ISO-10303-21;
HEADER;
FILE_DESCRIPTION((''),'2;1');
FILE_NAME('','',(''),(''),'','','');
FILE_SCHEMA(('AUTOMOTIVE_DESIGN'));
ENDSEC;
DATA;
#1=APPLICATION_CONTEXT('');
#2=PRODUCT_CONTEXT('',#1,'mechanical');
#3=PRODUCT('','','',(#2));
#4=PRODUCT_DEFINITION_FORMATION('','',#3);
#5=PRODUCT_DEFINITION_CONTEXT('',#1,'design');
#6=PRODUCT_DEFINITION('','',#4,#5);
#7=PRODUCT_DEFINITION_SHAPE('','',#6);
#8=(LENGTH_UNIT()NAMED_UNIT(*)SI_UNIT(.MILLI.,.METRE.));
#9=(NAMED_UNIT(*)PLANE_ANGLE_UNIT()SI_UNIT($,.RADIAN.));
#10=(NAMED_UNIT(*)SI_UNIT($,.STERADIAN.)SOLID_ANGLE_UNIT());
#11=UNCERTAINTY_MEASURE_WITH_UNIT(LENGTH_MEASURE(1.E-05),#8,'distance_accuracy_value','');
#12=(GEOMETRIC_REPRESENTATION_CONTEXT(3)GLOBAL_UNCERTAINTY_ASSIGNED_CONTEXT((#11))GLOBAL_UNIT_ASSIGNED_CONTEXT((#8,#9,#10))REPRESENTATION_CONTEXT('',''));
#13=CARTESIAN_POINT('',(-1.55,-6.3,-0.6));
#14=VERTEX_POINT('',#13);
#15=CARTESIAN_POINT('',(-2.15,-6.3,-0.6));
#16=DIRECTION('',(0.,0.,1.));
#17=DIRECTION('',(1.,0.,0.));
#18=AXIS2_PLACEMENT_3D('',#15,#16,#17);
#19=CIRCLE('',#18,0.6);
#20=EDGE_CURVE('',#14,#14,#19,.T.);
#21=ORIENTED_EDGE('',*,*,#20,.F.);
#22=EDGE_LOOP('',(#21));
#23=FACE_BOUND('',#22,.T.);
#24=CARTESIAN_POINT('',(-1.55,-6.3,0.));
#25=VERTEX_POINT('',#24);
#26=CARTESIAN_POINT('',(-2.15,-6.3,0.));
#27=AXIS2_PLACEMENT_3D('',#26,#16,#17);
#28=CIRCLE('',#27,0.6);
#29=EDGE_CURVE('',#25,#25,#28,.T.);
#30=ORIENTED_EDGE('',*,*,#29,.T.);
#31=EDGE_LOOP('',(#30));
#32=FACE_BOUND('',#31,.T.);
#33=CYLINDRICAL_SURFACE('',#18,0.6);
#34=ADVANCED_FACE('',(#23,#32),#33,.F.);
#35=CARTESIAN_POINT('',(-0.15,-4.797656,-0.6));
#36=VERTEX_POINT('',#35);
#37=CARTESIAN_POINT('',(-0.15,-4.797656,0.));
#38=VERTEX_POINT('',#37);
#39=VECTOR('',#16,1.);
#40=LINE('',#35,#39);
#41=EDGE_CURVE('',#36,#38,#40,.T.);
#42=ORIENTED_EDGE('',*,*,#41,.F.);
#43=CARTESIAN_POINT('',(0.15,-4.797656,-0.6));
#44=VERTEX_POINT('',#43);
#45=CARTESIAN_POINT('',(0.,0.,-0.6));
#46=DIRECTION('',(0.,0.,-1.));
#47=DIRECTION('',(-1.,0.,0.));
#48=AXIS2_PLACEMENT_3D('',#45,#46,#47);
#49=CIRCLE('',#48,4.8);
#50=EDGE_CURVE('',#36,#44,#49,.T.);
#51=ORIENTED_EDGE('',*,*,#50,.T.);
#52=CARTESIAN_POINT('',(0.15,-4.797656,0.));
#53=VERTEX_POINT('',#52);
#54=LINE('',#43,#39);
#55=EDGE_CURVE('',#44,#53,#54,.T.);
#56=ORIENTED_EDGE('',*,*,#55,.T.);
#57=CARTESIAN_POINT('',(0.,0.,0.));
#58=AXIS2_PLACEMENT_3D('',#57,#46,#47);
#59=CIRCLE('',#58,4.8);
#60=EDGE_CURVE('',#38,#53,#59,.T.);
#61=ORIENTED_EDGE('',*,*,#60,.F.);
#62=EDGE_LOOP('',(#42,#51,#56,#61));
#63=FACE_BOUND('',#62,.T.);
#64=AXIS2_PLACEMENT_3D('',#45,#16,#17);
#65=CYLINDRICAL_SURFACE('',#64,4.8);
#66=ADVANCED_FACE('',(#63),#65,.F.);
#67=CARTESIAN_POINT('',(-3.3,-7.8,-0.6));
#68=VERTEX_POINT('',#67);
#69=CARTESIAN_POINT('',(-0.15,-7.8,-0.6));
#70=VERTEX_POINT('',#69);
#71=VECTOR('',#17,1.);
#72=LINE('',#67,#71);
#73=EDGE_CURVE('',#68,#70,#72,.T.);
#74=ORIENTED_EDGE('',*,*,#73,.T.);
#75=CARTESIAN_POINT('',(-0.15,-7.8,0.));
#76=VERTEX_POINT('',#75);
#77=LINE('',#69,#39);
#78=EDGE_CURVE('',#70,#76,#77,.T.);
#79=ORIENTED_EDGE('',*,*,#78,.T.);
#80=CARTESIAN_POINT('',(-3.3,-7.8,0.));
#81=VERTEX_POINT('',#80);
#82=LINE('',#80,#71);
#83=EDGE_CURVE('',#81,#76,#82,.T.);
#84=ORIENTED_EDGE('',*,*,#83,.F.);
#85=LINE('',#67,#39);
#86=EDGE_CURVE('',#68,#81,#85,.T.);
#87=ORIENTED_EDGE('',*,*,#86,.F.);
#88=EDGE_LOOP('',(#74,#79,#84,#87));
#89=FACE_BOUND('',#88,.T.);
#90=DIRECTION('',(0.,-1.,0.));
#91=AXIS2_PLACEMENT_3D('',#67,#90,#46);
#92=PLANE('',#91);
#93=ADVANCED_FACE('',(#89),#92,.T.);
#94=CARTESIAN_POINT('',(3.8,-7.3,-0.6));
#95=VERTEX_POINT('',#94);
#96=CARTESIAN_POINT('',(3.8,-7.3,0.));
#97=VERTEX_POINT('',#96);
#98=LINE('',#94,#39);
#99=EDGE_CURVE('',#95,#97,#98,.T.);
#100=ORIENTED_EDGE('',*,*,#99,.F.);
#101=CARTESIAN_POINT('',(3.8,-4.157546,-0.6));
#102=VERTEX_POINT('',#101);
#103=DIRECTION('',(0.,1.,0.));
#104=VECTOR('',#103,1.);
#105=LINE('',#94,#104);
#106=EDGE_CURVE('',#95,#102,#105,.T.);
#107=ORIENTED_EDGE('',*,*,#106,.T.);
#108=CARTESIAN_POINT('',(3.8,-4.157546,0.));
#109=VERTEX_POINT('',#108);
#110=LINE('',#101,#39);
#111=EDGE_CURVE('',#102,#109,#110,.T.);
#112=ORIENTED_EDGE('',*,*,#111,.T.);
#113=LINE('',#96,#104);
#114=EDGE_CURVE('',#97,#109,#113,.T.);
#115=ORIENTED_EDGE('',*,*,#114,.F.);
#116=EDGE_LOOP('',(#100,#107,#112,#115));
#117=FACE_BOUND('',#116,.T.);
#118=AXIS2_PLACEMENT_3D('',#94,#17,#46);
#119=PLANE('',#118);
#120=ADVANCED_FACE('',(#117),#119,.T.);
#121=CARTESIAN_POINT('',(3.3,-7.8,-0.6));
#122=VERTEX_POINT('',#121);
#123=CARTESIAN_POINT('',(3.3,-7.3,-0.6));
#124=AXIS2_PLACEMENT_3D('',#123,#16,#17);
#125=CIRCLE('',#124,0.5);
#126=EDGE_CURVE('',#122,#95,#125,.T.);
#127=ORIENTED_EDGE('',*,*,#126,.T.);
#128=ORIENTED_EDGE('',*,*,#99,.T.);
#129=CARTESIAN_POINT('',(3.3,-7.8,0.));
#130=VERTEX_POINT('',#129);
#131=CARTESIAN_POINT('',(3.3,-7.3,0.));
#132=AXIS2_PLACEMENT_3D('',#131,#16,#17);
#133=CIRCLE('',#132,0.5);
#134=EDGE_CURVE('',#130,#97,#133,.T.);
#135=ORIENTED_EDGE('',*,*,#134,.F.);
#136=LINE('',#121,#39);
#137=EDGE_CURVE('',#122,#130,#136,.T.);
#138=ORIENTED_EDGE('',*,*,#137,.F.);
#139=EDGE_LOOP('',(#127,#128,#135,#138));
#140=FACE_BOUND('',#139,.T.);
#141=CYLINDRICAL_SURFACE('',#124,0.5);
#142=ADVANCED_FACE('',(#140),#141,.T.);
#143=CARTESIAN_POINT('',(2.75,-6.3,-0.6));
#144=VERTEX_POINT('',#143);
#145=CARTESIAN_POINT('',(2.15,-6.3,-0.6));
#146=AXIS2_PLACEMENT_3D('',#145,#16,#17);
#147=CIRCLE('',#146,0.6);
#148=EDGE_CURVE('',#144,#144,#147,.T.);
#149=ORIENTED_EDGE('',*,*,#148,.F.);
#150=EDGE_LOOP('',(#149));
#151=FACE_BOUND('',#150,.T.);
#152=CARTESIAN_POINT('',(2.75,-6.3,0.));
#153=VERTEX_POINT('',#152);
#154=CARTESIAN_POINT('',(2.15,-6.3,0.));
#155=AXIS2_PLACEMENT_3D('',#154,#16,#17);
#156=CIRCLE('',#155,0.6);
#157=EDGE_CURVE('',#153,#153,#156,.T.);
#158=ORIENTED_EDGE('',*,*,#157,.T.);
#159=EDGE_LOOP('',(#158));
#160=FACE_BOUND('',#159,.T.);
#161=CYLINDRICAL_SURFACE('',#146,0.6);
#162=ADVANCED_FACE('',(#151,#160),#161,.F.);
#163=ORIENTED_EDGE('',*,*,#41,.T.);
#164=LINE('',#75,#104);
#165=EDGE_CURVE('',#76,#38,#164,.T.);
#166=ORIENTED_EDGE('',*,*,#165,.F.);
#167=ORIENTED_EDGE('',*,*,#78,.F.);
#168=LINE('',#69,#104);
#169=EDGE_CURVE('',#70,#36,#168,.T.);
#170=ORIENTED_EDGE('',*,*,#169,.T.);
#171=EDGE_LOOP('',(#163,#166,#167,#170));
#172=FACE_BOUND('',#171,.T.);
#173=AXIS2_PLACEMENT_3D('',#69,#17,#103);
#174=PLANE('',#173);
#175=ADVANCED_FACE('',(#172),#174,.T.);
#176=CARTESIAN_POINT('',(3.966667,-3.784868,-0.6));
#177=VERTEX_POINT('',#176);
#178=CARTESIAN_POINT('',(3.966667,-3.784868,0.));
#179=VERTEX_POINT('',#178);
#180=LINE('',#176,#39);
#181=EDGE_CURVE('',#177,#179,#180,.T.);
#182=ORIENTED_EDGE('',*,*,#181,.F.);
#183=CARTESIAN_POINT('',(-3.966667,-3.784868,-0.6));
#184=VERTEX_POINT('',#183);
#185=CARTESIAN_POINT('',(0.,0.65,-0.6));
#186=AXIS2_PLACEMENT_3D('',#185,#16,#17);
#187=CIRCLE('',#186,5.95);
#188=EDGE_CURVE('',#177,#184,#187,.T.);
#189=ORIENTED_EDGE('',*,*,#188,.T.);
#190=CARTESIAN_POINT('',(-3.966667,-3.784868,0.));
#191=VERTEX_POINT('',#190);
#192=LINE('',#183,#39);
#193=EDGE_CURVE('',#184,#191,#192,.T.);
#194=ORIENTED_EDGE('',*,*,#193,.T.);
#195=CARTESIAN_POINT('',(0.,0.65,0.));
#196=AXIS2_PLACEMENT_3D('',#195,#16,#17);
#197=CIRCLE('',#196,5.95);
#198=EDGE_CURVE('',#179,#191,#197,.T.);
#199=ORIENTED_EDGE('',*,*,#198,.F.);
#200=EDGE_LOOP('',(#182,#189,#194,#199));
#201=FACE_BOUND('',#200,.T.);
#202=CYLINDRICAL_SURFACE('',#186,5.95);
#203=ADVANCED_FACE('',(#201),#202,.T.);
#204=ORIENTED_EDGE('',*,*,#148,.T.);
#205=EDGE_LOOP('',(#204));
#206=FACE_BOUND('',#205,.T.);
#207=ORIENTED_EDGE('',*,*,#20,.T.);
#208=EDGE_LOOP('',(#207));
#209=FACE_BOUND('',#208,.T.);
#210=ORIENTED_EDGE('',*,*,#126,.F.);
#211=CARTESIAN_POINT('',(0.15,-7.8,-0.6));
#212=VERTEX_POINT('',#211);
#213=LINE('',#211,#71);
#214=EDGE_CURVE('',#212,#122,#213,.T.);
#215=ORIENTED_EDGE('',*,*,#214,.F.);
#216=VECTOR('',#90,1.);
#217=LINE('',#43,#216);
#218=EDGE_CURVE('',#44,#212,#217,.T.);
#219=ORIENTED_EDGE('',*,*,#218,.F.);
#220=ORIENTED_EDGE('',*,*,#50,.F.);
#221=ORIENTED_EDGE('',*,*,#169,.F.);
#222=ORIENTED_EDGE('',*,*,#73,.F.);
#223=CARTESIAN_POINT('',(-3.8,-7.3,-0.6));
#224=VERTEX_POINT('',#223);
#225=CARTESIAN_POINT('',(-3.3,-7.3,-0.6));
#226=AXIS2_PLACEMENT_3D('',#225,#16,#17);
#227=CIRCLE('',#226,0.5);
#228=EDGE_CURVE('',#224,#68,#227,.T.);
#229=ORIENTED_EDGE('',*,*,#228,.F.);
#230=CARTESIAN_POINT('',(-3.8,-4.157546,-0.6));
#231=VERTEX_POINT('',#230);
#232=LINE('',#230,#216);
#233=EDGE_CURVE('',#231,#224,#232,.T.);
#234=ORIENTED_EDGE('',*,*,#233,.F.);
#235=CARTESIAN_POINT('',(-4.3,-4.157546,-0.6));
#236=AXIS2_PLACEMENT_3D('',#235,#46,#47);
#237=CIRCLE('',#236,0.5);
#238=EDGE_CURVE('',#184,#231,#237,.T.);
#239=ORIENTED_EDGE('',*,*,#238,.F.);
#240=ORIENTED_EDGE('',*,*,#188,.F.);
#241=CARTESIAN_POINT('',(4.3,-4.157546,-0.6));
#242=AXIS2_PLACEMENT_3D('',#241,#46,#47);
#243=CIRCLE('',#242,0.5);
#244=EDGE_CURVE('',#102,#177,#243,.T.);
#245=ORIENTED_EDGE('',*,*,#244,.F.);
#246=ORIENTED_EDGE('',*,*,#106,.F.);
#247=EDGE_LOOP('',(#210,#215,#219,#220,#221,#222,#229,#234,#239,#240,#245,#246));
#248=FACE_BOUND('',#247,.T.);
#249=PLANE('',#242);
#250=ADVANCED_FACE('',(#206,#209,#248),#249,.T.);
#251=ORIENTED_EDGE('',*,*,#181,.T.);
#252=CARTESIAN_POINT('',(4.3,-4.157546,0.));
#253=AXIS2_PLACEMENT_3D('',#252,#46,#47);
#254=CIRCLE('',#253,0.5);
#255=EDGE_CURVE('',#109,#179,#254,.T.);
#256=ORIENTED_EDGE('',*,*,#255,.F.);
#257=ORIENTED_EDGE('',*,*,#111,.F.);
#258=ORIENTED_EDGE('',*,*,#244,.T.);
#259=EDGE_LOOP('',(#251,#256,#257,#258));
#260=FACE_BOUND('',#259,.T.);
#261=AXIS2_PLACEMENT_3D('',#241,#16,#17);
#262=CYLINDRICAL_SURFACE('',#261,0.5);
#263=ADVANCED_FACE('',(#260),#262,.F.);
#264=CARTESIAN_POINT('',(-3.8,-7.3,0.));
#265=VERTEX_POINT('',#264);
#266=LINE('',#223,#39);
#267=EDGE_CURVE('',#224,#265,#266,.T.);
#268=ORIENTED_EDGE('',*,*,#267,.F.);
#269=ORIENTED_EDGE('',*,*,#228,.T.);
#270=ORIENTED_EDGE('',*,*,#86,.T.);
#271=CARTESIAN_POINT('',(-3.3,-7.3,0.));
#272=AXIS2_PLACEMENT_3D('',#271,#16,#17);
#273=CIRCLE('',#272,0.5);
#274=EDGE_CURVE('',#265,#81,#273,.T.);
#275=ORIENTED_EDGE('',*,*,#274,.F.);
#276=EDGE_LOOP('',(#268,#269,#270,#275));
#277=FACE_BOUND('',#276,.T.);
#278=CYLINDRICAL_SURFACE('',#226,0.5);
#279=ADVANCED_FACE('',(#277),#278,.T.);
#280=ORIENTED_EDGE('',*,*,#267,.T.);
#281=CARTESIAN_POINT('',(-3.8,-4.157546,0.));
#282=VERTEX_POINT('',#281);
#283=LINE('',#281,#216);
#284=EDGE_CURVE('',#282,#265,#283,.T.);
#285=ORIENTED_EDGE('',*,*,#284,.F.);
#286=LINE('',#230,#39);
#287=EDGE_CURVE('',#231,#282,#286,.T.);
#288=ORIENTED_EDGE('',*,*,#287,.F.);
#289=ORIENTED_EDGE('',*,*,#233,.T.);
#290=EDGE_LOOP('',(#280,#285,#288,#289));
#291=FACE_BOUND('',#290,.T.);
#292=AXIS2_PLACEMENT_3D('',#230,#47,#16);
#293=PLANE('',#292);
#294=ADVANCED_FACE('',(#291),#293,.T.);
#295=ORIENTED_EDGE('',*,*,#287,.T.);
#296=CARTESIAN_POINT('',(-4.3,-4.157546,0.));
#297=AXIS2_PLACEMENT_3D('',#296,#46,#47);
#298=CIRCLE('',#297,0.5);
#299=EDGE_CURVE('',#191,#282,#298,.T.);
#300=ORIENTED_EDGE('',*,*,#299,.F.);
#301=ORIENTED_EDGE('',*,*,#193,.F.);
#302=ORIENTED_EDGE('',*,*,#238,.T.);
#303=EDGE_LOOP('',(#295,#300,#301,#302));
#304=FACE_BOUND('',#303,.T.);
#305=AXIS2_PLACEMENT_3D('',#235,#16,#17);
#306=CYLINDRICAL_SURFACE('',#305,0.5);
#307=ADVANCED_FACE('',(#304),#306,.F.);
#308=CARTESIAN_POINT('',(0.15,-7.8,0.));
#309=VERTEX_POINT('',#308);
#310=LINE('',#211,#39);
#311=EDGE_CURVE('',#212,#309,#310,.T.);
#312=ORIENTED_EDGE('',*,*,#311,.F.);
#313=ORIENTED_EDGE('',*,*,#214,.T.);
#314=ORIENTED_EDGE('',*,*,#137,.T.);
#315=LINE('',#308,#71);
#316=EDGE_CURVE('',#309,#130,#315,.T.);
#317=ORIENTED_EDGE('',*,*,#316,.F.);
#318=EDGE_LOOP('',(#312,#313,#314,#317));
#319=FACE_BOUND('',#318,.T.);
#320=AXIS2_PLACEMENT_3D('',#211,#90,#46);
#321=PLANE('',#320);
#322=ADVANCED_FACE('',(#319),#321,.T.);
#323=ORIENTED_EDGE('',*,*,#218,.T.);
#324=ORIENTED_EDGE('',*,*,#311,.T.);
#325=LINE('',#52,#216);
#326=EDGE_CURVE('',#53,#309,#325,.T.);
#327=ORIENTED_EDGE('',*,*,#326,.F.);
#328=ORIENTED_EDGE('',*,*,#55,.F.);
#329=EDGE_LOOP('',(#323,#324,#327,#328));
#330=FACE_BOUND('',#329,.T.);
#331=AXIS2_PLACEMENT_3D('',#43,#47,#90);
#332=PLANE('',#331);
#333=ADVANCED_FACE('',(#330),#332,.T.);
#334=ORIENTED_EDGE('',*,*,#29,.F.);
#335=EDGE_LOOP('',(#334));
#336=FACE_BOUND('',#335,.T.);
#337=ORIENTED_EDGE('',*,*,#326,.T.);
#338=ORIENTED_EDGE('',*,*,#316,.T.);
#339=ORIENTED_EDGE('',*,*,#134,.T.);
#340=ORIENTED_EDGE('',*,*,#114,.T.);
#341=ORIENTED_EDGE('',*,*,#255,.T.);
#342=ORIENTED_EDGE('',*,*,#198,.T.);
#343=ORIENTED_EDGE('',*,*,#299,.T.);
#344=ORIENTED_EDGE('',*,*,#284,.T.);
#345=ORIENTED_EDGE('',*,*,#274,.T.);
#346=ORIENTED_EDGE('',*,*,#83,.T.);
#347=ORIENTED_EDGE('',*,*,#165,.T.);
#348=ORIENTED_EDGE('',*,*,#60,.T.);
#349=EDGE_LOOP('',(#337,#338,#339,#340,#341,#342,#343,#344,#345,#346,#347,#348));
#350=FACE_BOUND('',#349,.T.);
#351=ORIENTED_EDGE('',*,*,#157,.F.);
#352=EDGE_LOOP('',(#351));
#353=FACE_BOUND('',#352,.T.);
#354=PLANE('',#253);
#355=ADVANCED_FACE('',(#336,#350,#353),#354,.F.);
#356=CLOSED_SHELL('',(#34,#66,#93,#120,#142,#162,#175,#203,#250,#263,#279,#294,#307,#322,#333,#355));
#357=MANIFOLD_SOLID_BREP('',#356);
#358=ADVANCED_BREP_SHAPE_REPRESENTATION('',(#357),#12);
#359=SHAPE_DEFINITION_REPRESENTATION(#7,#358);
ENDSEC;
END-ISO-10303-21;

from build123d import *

# Parameters (mm, degrees)
BOSS_EXTRUDE1_DEPTH = 0.6
SKETCH2_R           = 0.6
CUT_EXTRUDE1_DEPTH  = 1.6


with BuildPart() as part:
    # Sketch1 → Boss-Extrude1 (new body)
    with BuildSketch(Plane.XY):
        with BuildLine():
            Line((-3.8, -4.157546152), (-3.8, -7.3))
            ThreePointArc((-3.8, -7.3), (-3.653553391, -7.653553391), (-3.3, -7.8))
            Line((-3.3, -7.8), (-0.15, -7.8))
            Line((-0.15, -7.8), (-0.15, -4.797655678))
            ThreePointArc((-0.15, -4.797655678), (0, 4.8), (0.15, -4.797655678))
            Line((0.15, -4.797655678), (0.15, -7.8))
            Line((0.15, -7.8), (3.3, -7.8))
            ThreePointArc((3.3, -7.8), (3.653553391, -7.653553391), (3.8, -7.3))
            Line((3.8, -7.3), (3.8, -4.157546152))
            ThreePointArc((3.8, -4.157546152), (3.843564535, -3.953422006), (3.966666667, -3.784868155))
            ThreePointArc((3.966666667, -3.784868155), (0, 6.6), (-3.966666667, -3.784868155))
            ThreePointArc((-3.966666667, -3.784868155), (-3.843564535, -3.953422006), (-3.8, -4.157546152))
        make_face()
    extrude(amount=-BOSS_EXTRUDE1_DEPTH)

    # Sketch2 → Cut-Extrude1 (cut, through all)
    with BuildSketch(Plane.XY):
        with Locations((-2.15, -6.3)):
            Circle(SKETCH2_R)
        with Locations((2.15, -6.3)):
            Circle(SKETCH2_R)
    extrude(amount=-CUT_EXTRUDE1_DEPTH, mode=Mode.SUBTRACT)


solid = part.part
